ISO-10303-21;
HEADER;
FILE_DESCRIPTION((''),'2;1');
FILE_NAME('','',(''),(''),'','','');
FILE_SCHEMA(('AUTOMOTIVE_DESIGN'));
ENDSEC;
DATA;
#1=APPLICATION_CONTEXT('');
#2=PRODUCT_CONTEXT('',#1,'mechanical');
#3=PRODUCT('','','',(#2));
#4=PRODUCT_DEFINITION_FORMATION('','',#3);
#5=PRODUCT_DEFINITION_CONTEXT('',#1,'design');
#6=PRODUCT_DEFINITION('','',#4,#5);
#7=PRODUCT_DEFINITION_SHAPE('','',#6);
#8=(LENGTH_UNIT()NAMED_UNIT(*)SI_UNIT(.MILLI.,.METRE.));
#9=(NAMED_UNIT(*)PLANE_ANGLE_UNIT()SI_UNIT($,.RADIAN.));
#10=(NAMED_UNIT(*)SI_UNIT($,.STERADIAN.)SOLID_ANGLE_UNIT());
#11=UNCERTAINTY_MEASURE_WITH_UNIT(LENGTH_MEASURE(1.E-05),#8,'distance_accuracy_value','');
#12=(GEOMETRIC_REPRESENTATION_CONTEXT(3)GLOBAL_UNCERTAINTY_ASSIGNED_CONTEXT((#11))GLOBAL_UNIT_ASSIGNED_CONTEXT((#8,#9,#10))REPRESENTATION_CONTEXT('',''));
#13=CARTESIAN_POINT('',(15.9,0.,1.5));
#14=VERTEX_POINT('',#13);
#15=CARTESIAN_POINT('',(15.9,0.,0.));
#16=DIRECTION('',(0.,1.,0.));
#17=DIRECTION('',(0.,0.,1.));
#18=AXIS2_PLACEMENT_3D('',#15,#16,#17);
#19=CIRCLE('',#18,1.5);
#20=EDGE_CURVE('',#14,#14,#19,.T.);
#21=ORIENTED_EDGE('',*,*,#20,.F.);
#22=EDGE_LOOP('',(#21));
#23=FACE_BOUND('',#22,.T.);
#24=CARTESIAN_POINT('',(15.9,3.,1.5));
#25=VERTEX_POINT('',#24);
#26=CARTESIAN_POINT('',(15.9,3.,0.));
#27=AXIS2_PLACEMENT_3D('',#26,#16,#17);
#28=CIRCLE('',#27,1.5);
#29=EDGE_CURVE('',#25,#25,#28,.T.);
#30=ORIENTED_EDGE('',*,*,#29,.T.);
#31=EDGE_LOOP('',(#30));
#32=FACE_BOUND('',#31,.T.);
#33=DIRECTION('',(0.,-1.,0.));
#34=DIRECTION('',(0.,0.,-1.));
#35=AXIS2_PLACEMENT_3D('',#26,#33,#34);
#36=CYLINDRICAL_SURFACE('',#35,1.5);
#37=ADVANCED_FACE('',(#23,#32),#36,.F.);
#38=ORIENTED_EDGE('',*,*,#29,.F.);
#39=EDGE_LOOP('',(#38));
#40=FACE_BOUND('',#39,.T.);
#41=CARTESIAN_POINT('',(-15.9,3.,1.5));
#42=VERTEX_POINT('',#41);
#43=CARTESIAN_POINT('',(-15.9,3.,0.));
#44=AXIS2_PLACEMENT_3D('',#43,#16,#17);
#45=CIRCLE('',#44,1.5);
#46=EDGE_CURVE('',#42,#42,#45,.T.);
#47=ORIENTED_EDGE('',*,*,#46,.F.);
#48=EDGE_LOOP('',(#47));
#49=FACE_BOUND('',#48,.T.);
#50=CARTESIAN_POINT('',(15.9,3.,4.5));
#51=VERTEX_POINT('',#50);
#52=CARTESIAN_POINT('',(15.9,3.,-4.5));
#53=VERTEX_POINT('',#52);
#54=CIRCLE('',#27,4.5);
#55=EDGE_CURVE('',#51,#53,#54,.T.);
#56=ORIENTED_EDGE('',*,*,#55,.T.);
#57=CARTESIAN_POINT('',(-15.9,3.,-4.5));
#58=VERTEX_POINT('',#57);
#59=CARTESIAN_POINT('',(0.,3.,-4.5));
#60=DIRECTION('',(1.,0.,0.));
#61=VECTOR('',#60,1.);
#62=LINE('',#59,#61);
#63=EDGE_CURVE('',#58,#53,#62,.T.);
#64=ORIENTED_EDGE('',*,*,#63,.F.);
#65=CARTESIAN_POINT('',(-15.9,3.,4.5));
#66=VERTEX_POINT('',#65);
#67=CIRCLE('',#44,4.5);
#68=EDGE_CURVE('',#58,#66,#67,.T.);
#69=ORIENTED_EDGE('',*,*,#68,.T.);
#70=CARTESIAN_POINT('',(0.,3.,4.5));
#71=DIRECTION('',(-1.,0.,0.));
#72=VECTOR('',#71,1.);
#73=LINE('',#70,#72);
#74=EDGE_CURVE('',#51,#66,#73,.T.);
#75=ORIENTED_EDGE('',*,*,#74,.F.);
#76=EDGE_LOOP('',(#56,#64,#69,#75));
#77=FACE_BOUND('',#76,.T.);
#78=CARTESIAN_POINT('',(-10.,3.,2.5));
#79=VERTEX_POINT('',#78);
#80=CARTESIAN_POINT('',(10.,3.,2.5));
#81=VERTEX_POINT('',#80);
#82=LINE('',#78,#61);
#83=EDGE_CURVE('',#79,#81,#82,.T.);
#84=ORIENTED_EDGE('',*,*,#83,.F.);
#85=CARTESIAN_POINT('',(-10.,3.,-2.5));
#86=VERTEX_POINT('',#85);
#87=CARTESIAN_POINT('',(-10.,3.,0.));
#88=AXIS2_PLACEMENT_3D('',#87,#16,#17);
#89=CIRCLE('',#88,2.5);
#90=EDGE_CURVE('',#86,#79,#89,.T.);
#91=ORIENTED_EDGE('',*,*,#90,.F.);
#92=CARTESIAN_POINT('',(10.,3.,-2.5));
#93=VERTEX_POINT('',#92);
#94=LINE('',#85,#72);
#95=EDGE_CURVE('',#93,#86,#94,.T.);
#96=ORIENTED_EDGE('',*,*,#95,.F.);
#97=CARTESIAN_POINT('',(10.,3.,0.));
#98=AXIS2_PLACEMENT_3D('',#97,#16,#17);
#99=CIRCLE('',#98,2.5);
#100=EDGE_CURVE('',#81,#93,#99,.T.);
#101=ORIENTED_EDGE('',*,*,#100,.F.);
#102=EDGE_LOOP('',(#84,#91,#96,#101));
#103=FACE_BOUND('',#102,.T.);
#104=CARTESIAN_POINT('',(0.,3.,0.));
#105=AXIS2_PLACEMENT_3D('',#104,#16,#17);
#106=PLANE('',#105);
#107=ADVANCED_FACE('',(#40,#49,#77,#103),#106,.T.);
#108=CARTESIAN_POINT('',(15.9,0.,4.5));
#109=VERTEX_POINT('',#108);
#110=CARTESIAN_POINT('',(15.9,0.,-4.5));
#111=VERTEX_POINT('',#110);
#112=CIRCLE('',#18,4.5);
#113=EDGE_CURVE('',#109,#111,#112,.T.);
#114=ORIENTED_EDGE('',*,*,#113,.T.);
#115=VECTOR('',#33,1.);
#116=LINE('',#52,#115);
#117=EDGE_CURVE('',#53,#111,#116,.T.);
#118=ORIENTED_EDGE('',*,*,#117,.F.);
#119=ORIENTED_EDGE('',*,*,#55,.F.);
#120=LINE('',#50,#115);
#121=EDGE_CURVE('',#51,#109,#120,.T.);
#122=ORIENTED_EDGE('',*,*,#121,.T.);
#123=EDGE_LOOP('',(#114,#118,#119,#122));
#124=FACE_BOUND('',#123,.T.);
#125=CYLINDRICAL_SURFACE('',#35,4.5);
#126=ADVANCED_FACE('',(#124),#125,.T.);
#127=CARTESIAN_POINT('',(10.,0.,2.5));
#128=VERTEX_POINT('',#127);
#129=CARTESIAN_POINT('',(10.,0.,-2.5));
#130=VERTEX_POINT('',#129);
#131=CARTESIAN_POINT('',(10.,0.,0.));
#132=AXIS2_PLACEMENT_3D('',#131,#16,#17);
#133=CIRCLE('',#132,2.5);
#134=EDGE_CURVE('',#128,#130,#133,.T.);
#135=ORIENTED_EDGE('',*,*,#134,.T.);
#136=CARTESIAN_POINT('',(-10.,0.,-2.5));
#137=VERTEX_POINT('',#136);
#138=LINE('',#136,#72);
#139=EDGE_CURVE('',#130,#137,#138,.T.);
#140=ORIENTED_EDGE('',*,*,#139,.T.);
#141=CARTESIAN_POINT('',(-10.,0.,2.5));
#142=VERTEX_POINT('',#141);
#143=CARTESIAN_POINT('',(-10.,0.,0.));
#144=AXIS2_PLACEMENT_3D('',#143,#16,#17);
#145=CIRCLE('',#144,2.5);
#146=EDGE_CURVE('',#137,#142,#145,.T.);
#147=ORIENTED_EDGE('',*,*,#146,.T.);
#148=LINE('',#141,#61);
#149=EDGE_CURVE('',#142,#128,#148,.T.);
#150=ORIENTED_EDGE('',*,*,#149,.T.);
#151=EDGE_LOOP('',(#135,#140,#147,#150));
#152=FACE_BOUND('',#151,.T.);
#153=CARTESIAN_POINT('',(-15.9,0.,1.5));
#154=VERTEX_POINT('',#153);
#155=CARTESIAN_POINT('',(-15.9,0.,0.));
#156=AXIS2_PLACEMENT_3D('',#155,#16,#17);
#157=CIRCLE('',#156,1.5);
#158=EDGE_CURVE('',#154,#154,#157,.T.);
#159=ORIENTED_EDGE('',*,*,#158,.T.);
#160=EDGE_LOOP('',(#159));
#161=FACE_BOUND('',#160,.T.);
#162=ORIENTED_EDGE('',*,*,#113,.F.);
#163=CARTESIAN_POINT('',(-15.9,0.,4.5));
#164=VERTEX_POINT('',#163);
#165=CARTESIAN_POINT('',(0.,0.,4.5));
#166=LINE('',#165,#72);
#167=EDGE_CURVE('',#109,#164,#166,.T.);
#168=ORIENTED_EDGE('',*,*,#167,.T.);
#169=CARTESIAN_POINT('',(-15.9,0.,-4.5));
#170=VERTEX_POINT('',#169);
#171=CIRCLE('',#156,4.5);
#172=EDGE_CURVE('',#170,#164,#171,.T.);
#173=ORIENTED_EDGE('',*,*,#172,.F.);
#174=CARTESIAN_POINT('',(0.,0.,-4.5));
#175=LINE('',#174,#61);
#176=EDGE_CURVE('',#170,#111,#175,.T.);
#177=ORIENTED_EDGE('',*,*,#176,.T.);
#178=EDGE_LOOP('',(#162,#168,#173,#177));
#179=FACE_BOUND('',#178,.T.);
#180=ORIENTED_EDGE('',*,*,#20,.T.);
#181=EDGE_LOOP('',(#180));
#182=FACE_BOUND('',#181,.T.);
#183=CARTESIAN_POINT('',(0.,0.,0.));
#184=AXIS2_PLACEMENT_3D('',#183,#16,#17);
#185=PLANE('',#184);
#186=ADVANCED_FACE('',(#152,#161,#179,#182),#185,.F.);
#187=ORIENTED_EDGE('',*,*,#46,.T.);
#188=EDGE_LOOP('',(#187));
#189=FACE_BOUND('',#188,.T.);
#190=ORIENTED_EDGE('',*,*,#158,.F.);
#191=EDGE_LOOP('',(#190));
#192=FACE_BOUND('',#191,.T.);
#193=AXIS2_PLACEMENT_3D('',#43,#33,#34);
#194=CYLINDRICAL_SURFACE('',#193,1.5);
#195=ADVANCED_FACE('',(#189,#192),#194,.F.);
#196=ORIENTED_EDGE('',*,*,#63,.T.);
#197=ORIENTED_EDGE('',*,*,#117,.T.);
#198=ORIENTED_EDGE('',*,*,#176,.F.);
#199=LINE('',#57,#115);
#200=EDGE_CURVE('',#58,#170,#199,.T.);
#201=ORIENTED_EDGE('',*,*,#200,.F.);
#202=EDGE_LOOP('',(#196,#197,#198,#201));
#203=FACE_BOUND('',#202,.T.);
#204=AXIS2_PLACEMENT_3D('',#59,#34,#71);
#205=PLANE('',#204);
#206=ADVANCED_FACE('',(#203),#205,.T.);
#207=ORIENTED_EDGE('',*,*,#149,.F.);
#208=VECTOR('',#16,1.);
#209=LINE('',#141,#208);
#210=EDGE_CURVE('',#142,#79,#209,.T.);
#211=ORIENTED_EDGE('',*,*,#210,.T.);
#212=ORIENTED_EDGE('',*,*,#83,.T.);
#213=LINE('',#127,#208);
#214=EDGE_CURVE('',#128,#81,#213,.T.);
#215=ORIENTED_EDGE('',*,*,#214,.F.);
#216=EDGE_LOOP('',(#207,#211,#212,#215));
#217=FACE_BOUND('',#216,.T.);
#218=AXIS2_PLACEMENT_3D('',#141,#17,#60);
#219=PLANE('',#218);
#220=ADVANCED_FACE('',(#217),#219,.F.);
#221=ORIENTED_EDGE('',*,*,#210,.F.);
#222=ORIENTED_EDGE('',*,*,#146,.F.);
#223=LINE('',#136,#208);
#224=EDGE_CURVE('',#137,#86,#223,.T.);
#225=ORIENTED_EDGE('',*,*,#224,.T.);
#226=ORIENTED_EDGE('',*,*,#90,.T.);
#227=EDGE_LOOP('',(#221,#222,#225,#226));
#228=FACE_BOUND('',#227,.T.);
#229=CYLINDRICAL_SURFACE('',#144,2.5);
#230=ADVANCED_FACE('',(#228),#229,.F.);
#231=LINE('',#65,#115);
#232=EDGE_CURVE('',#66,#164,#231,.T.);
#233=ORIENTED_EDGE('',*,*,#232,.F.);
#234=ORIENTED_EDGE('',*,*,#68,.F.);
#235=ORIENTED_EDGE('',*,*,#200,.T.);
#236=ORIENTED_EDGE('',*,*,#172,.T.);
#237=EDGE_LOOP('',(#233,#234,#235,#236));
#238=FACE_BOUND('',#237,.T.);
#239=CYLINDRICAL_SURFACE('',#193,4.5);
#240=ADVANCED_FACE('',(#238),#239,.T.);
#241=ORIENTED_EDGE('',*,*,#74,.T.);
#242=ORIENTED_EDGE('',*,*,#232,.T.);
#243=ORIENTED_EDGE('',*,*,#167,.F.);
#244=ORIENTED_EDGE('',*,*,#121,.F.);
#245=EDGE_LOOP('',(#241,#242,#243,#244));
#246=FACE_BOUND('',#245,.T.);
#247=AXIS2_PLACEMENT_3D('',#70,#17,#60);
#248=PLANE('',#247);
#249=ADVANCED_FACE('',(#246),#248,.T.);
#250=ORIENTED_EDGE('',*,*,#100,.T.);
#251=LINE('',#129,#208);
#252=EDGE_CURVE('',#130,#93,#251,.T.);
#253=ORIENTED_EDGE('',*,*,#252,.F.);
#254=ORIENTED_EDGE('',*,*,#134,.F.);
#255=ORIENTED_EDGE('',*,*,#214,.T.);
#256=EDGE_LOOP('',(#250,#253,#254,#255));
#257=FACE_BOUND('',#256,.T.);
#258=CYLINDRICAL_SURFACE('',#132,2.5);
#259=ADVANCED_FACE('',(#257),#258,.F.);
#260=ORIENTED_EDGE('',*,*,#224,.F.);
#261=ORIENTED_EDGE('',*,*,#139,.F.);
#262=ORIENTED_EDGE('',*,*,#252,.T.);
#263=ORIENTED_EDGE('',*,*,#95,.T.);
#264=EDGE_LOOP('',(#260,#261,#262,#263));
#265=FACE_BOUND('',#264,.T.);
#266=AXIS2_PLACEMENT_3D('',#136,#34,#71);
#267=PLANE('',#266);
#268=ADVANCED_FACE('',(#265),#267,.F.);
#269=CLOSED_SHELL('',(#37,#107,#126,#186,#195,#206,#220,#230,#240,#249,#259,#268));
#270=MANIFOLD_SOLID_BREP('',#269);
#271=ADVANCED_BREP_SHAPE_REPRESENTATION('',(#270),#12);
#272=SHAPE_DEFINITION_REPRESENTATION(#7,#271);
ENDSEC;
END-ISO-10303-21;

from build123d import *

# Parameters (mm, degrees)
SKETCH_1_R          = 1.5
EXTRUDE_1_DEPTH     = 3
CUT_EXTRUDE_1_DEPTH = 22.104738804


with BuildPart() as part:
    # 草图1 → 凸台-拉伸1 (new body)
    with BuildSketch(Plane(origin=(0, 0, 0), x_dir=(1, 0, 0), z_dir=(0, 1, 0))):
        with BuildLine():
            Line((15.9, 4.5), (-15.9, 4.5))
            ThreePointArc((-15.9, 4.5), (-20.4, 0), (-15.9, -4.5))
            Line((-15.9, -4.5), (15.9, -4.5))
            ThreePointArc((15.9, -4.5), (20.4, 0), (15.9, 4.5))
        make_face()
        with Locations(Location((-15.9, 0, 0), (0, 0, 270))):
            Circle(SKETCH_1_R, mode=Mode.SUBTRACT)
        with Locations(Location((15.9, 0, 0), (0, 0, 270))):
            Circle(SKETCH_1_R, mode=Mode.SUBTRACT)
    extrude(amount=EXTRUDE_1_DEPTH)

    # 草图2 → 切除-拉伸1 (cut, through all)
    with BuildSketch(Plane(origin=(0, 3, 0), x_dir=(1, 0, 0), z_dir=(0, 1, 0))):
        with BuildLine():
            Line((-10, 2.5), (10, 2.5))
            ThreePointArc((10, 2.5), (12.5, 0), (10, -2.5))
            Line((10, -2.5), (-10, -2.5))
            ThreePointArc((-10, -2.5), (-12.5, 0), (-10, 2.5))
        make_face()
    extrude(amount=-CUT_EXTRUDE_1_DEPTH, mode=Mode.SUBTRACT)


solid = part.part
